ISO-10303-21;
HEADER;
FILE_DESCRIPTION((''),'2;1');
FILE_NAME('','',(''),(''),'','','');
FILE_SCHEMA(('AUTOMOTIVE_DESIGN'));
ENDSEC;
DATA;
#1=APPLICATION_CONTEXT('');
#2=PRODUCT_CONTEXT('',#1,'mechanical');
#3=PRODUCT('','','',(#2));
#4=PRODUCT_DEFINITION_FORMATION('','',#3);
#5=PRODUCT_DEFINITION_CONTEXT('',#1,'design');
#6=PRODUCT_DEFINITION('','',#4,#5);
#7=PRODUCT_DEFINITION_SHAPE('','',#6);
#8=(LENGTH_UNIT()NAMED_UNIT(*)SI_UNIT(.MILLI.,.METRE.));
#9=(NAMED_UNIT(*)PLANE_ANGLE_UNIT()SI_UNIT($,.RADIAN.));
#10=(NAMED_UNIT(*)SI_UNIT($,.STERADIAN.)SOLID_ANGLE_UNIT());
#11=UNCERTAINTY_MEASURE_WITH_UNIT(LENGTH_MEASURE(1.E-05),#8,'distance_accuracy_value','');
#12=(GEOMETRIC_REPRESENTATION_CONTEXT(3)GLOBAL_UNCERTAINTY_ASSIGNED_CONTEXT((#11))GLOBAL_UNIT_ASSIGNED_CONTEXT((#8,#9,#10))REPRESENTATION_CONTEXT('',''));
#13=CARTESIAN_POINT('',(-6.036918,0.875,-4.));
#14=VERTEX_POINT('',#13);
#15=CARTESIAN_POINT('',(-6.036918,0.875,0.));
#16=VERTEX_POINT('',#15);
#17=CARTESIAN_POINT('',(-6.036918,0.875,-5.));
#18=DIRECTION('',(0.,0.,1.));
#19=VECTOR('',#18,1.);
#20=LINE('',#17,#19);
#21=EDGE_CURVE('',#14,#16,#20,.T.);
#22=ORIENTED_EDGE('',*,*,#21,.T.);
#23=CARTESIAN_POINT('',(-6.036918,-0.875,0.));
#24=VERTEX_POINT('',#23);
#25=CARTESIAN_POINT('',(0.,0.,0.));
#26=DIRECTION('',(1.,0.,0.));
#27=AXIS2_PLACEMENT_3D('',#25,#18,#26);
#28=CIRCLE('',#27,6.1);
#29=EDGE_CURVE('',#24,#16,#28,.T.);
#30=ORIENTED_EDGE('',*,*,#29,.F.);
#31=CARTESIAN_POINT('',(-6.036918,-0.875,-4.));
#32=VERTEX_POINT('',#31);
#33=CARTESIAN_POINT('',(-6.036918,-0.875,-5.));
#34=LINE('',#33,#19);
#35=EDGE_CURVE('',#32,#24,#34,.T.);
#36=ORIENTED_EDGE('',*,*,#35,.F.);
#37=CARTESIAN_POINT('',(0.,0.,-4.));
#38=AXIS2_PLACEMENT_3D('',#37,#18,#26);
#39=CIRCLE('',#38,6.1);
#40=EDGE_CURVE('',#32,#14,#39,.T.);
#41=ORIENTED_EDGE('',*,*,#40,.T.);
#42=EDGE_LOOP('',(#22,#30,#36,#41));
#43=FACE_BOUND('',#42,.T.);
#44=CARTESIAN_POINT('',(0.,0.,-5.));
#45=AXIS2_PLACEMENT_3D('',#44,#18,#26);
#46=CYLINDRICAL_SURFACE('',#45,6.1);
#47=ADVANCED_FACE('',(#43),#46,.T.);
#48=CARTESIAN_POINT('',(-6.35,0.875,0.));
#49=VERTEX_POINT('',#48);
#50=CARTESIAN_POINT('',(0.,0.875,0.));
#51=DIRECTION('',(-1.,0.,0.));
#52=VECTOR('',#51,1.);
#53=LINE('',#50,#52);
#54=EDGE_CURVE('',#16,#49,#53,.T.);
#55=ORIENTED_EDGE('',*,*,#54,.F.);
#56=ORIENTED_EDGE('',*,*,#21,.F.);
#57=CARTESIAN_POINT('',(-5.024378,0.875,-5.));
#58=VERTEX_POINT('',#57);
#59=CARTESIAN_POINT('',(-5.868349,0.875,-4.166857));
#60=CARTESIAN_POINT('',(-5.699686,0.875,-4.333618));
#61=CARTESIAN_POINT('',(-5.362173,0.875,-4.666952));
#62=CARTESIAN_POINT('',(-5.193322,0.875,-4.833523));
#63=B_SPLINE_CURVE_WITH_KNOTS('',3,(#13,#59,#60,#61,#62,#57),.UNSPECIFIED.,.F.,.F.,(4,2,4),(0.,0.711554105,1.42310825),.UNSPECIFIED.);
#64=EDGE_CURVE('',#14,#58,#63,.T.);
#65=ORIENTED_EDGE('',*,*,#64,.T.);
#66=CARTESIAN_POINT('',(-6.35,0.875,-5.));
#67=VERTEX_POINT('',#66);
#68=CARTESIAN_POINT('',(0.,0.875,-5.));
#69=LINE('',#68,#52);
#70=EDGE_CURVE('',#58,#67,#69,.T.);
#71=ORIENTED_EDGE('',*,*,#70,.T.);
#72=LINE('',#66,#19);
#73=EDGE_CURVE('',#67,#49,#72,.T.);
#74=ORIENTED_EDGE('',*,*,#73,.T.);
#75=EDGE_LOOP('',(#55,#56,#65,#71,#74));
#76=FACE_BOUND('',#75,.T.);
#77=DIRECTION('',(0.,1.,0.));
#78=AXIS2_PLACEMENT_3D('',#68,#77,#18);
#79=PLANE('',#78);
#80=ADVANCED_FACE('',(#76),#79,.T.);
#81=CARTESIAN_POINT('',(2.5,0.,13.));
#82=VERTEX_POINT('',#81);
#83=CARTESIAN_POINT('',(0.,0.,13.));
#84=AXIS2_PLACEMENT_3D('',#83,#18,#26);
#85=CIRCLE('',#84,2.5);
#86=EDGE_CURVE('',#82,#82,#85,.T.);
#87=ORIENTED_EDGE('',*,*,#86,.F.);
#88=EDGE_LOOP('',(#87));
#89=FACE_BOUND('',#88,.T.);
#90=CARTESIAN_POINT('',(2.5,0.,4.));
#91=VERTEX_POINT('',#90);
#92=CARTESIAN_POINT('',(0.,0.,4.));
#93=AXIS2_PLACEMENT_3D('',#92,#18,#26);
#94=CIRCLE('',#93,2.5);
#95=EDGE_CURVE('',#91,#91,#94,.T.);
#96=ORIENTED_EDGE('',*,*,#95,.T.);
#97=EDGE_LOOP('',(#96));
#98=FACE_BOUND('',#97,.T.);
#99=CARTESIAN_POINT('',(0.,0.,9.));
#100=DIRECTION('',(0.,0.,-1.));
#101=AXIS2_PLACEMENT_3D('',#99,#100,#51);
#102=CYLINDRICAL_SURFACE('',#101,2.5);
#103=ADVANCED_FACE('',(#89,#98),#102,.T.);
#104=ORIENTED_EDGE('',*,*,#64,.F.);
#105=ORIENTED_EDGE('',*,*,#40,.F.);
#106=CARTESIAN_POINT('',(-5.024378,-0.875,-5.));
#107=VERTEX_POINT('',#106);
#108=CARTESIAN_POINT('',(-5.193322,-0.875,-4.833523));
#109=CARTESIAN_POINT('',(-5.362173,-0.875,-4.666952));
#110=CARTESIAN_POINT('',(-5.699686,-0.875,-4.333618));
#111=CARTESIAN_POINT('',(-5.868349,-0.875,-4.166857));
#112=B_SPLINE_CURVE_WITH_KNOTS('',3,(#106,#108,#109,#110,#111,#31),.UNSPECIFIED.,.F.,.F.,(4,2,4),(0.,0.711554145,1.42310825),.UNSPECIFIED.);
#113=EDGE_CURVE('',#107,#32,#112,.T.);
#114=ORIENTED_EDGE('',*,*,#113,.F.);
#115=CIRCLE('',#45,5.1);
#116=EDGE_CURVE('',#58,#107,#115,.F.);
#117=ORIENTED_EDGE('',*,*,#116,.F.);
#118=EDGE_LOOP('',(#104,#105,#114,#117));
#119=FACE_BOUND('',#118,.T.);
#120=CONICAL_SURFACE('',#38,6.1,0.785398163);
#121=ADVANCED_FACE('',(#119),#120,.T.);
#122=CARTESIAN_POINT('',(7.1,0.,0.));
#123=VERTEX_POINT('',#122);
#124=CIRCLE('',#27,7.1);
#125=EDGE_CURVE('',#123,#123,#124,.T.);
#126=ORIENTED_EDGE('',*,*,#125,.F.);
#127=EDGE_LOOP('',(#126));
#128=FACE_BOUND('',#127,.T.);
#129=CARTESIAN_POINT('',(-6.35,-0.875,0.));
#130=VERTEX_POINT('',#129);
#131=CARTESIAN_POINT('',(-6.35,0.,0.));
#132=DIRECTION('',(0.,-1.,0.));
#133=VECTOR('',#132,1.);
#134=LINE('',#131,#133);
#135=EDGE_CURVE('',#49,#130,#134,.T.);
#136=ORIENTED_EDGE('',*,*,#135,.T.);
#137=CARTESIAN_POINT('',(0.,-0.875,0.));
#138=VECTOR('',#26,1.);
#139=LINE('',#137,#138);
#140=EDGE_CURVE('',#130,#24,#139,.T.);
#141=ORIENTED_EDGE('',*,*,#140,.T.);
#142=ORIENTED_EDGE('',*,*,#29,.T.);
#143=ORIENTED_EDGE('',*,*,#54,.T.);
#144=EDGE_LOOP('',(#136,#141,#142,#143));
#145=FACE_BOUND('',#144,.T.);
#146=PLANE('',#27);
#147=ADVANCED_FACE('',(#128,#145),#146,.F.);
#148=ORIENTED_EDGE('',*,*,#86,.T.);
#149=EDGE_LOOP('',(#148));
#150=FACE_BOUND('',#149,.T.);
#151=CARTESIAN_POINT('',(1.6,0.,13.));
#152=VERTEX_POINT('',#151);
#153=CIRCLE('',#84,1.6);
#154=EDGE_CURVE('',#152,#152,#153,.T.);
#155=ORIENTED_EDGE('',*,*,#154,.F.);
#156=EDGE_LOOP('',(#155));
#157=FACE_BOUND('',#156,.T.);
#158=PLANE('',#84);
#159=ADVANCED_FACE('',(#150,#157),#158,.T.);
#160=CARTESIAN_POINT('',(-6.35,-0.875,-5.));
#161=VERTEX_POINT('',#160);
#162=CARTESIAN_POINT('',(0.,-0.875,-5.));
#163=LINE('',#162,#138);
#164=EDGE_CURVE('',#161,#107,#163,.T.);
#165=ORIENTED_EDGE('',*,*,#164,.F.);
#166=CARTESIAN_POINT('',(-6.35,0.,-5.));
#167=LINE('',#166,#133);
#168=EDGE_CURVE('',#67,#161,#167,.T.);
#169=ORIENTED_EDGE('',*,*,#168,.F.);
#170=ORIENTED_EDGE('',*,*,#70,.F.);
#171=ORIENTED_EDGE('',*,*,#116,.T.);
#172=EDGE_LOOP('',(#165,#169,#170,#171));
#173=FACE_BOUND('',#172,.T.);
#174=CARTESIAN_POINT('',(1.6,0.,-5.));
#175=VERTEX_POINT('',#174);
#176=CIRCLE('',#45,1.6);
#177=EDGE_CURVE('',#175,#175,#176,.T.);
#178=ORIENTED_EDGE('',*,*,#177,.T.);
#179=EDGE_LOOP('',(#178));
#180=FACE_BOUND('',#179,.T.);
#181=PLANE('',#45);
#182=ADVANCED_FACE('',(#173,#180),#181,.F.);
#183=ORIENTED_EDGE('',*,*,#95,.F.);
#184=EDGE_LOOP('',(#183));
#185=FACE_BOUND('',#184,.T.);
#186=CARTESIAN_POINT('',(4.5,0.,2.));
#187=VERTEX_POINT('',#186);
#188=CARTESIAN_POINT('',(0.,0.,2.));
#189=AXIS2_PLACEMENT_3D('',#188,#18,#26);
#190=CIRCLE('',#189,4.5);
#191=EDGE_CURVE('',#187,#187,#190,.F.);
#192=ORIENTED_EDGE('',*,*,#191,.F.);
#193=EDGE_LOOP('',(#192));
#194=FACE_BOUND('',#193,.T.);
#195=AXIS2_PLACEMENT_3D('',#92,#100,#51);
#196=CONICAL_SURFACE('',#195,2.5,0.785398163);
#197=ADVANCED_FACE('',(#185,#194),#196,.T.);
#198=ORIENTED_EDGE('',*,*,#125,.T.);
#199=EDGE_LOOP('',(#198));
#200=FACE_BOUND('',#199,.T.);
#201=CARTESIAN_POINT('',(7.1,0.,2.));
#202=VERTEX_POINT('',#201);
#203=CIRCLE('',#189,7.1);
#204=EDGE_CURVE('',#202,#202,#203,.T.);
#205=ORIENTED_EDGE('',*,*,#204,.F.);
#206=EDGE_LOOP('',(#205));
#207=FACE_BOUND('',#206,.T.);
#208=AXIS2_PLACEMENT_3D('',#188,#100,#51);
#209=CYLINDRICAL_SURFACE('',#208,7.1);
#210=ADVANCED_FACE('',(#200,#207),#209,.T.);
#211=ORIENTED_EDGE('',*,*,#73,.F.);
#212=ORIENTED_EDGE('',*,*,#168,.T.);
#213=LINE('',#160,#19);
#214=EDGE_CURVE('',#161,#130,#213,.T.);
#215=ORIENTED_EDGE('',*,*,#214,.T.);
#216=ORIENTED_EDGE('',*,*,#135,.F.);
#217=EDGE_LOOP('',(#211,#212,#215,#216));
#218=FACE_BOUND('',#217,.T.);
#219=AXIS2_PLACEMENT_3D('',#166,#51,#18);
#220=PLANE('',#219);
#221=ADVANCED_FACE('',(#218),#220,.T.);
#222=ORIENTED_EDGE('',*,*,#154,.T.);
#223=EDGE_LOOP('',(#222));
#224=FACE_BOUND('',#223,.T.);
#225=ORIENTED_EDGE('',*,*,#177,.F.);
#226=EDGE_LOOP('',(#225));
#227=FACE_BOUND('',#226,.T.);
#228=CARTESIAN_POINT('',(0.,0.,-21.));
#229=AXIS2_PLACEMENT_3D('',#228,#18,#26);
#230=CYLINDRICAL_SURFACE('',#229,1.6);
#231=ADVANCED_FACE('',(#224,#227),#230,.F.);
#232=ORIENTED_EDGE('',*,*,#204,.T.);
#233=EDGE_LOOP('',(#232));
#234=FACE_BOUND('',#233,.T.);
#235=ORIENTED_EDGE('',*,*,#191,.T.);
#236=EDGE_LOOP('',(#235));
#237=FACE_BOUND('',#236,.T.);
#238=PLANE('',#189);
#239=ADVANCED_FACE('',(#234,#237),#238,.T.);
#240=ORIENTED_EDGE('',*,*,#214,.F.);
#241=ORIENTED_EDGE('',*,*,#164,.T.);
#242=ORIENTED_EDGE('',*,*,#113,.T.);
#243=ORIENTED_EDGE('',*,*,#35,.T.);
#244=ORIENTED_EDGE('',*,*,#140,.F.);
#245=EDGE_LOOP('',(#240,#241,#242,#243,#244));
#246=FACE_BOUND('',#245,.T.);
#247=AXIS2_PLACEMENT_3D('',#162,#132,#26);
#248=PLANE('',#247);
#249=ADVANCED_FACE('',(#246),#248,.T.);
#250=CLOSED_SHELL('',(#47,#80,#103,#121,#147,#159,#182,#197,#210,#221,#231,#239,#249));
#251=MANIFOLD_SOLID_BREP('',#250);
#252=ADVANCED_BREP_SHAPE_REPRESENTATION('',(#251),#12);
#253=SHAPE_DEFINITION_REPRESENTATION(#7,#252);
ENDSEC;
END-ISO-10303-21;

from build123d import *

# Parameters (mm, degrees)
EXTRUDE_1_DEPTH     = 5
SKETCH_2_R          = 7.1
EXTRUDE_2_DEPTH     = 2
SKETCH_3_R          = 2.5
EXTRUDE_3_DEPTH     = 7
CHAMFER_1_SIZE      = 2
SKETCH_4_R          = 1.6
CUT_EXTRUDE_1_DEPTH = 30
CHAMFER_2_SIZE      = 1
MOVE_FACE_1_BY      = 4


with BuildPart() as part:
    # ｽｹｯﾁ1 → ﾎﾞｽ - 押し出し1 (new body)
    with BuildSketch(Plane.XY):
        with BuildLine():
            Line((-6.35, -0.875), (-6.036917674, -0.875))
            ThreePointArc((-6.036917674, -0.875), (6.1, 0), (-6.036917674, 0.875))
            Line((-6.036917674, 0.875), (-6.35, 0.875))
            Line((-6.35, 0.875), (-6.35, -0.875))
        make_face()
    extrude(amount=-EXTRUDE_1_DEPTH)

    # ｽｹｯﾁ2 → ﾎﾞｽ - 押し出し2 (add)
    with BuildSketch(Plane.XY):
        Circle(SKETCH_2_R)
    extrude(amount=EXTRUDE_2_DEPTH)

    # ｽｹｯﾁ3 → ﾎﾞｽ - 押し出し3 (add)
    with BuildSketch(Plane.XY.offset(2)):
        Circle(SKETCH_3_R)
    extrude(amount=EXTRUDE_3_DEPTH)

    # 面取り1
    chamfer_1_edges = [part.edges().sort_by_distance(p)[0] for p in [
        (-2.5, 0, 2),
    ]]
    chamfer(chamfer_1_edges, length=CHAMFER_1_SIZE)

    # ｽｹｯﾁ4 → ｶｯﾄ - 押し出し1 (cut)
    with BuildSketch(Plane.XY.offset(9)):
        Circle(SKETCH_4_R)
    extrude(amount=-CUT_EXTRUDE_1_DEPTH, mode=Mode.SUBTRACT)

    # 面取り2
    chamfer_2_edges = [part.edges().sort_by_distance(p)[0] for p in [
        (6.1, 0, -5),
    ]]
    chamfer(chamfer_2_edges, length=CHAMFER_2_SIZE)

    # Move Face 1: a face moved outward by 4.0
    extrude(part.faces().sort_by_distance((0, -2, 9))[0], amount=MOVE_FACE_1_BY, dir=(0, 0, 1))


solid = part.part
